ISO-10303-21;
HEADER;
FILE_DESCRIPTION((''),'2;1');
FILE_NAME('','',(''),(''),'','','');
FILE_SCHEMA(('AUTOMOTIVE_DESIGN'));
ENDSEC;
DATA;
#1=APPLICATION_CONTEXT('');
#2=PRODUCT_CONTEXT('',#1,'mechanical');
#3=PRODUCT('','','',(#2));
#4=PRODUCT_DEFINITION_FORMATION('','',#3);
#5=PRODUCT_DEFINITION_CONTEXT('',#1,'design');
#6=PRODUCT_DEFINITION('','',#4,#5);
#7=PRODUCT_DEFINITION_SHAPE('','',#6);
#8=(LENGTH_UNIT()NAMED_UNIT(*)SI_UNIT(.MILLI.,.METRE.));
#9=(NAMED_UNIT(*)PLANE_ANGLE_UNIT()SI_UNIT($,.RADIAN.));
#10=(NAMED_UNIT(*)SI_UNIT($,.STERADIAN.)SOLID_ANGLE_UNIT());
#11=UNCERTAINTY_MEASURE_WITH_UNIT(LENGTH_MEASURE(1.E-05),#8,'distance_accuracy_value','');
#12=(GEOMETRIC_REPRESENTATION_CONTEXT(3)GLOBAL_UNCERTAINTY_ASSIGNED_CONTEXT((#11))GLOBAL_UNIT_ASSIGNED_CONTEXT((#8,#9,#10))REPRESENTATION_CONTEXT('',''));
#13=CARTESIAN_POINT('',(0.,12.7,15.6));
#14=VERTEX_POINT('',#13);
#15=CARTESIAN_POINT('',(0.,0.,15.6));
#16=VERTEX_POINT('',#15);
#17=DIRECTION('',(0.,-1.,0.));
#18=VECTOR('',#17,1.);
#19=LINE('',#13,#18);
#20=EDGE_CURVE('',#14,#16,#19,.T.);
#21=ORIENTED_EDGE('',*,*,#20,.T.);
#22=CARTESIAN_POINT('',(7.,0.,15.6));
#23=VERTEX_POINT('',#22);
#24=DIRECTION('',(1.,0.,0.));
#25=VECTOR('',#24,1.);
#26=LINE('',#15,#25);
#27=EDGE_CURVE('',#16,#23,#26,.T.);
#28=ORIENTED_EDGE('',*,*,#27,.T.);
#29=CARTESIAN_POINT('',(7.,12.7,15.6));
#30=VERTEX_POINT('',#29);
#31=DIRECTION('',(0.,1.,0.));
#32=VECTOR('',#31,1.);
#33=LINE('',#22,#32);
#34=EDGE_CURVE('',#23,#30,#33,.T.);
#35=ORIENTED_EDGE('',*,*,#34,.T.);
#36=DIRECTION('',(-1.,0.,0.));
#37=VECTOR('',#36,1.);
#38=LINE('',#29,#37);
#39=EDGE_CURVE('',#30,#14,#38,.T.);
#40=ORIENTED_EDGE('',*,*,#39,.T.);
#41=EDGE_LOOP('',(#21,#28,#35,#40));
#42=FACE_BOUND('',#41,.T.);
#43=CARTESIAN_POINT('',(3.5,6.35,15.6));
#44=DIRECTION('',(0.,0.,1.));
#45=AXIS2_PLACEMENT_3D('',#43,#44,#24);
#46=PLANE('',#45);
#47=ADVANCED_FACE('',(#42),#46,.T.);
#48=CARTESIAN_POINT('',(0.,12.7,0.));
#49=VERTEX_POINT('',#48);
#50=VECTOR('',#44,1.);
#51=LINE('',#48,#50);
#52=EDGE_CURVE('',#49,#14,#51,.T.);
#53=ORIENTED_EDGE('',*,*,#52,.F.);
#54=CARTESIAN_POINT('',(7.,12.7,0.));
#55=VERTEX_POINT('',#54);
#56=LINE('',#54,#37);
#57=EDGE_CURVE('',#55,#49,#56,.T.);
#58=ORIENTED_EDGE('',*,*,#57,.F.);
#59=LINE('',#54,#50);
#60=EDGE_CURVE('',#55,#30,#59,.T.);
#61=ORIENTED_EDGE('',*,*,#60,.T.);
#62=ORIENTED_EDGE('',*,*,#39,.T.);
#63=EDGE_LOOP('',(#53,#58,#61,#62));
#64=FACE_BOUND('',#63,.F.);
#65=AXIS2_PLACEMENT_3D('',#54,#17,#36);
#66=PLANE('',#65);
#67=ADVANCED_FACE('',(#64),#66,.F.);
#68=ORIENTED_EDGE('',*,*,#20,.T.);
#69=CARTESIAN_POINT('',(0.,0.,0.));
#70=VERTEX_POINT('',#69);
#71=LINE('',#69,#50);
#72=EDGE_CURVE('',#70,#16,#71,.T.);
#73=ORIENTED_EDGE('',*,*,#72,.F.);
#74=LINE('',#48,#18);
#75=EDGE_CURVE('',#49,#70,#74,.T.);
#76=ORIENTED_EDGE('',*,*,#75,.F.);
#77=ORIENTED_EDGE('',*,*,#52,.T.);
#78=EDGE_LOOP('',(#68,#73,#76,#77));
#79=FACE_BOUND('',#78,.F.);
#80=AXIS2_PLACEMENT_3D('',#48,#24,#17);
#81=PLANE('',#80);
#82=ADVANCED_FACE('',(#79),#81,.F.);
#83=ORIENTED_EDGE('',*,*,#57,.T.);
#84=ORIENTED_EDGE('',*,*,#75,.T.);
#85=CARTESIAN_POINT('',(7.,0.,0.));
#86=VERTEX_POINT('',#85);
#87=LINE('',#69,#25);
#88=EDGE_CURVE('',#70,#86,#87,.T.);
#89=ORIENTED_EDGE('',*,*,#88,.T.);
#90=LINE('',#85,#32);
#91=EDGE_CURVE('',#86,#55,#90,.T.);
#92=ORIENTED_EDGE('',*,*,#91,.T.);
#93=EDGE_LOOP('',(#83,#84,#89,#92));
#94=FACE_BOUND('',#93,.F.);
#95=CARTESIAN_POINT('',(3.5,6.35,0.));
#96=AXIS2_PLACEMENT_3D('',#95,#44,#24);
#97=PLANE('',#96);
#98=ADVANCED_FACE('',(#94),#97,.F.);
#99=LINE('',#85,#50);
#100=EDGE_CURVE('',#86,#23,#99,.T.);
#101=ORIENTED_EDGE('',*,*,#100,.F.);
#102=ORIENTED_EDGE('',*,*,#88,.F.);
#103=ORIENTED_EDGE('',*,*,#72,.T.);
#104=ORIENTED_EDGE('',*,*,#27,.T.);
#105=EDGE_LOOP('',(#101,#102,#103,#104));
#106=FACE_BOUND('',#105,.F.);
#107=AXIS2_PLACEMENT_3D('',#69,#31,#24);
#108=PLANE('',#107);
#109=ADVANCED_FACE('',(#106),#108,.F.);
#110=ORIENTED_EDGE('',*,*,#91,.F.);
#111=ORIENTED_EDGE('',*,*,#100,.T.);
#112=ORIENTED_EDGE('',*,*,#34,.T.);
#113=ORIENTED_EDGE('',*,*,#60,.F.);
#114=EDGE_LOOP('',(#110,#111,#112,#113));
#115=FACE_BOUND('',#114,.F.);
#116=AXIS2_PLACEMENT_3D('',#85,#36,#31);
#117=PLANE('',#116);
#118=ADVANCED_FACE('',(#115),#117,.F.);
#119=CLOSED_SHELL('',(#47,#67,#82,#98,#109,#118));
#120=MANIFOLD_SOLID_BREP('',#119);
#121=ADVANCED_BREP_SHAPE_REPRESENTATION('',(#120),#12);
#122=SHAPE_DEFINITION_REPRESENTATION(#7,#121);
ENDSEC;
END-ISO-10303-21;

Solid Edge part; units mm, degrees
sketch "Sketch1" plane through (0, 0, 0) normal (0, 0, 1) x (1, 0, 0)
  line L0 (0, 0) -> (7, 0)
  line L1 (7, 0) -> (7, 12.7)
  line L2 (7, 12.7) -> (0, 12.7)
  line L3 (0, 12.7) -> (0, 0)
  dimension "D1" = 7
  dimension "D2" = 12.7
extrude "Protrusion1" add sketch "Sketch1" along normal blind 15.6
